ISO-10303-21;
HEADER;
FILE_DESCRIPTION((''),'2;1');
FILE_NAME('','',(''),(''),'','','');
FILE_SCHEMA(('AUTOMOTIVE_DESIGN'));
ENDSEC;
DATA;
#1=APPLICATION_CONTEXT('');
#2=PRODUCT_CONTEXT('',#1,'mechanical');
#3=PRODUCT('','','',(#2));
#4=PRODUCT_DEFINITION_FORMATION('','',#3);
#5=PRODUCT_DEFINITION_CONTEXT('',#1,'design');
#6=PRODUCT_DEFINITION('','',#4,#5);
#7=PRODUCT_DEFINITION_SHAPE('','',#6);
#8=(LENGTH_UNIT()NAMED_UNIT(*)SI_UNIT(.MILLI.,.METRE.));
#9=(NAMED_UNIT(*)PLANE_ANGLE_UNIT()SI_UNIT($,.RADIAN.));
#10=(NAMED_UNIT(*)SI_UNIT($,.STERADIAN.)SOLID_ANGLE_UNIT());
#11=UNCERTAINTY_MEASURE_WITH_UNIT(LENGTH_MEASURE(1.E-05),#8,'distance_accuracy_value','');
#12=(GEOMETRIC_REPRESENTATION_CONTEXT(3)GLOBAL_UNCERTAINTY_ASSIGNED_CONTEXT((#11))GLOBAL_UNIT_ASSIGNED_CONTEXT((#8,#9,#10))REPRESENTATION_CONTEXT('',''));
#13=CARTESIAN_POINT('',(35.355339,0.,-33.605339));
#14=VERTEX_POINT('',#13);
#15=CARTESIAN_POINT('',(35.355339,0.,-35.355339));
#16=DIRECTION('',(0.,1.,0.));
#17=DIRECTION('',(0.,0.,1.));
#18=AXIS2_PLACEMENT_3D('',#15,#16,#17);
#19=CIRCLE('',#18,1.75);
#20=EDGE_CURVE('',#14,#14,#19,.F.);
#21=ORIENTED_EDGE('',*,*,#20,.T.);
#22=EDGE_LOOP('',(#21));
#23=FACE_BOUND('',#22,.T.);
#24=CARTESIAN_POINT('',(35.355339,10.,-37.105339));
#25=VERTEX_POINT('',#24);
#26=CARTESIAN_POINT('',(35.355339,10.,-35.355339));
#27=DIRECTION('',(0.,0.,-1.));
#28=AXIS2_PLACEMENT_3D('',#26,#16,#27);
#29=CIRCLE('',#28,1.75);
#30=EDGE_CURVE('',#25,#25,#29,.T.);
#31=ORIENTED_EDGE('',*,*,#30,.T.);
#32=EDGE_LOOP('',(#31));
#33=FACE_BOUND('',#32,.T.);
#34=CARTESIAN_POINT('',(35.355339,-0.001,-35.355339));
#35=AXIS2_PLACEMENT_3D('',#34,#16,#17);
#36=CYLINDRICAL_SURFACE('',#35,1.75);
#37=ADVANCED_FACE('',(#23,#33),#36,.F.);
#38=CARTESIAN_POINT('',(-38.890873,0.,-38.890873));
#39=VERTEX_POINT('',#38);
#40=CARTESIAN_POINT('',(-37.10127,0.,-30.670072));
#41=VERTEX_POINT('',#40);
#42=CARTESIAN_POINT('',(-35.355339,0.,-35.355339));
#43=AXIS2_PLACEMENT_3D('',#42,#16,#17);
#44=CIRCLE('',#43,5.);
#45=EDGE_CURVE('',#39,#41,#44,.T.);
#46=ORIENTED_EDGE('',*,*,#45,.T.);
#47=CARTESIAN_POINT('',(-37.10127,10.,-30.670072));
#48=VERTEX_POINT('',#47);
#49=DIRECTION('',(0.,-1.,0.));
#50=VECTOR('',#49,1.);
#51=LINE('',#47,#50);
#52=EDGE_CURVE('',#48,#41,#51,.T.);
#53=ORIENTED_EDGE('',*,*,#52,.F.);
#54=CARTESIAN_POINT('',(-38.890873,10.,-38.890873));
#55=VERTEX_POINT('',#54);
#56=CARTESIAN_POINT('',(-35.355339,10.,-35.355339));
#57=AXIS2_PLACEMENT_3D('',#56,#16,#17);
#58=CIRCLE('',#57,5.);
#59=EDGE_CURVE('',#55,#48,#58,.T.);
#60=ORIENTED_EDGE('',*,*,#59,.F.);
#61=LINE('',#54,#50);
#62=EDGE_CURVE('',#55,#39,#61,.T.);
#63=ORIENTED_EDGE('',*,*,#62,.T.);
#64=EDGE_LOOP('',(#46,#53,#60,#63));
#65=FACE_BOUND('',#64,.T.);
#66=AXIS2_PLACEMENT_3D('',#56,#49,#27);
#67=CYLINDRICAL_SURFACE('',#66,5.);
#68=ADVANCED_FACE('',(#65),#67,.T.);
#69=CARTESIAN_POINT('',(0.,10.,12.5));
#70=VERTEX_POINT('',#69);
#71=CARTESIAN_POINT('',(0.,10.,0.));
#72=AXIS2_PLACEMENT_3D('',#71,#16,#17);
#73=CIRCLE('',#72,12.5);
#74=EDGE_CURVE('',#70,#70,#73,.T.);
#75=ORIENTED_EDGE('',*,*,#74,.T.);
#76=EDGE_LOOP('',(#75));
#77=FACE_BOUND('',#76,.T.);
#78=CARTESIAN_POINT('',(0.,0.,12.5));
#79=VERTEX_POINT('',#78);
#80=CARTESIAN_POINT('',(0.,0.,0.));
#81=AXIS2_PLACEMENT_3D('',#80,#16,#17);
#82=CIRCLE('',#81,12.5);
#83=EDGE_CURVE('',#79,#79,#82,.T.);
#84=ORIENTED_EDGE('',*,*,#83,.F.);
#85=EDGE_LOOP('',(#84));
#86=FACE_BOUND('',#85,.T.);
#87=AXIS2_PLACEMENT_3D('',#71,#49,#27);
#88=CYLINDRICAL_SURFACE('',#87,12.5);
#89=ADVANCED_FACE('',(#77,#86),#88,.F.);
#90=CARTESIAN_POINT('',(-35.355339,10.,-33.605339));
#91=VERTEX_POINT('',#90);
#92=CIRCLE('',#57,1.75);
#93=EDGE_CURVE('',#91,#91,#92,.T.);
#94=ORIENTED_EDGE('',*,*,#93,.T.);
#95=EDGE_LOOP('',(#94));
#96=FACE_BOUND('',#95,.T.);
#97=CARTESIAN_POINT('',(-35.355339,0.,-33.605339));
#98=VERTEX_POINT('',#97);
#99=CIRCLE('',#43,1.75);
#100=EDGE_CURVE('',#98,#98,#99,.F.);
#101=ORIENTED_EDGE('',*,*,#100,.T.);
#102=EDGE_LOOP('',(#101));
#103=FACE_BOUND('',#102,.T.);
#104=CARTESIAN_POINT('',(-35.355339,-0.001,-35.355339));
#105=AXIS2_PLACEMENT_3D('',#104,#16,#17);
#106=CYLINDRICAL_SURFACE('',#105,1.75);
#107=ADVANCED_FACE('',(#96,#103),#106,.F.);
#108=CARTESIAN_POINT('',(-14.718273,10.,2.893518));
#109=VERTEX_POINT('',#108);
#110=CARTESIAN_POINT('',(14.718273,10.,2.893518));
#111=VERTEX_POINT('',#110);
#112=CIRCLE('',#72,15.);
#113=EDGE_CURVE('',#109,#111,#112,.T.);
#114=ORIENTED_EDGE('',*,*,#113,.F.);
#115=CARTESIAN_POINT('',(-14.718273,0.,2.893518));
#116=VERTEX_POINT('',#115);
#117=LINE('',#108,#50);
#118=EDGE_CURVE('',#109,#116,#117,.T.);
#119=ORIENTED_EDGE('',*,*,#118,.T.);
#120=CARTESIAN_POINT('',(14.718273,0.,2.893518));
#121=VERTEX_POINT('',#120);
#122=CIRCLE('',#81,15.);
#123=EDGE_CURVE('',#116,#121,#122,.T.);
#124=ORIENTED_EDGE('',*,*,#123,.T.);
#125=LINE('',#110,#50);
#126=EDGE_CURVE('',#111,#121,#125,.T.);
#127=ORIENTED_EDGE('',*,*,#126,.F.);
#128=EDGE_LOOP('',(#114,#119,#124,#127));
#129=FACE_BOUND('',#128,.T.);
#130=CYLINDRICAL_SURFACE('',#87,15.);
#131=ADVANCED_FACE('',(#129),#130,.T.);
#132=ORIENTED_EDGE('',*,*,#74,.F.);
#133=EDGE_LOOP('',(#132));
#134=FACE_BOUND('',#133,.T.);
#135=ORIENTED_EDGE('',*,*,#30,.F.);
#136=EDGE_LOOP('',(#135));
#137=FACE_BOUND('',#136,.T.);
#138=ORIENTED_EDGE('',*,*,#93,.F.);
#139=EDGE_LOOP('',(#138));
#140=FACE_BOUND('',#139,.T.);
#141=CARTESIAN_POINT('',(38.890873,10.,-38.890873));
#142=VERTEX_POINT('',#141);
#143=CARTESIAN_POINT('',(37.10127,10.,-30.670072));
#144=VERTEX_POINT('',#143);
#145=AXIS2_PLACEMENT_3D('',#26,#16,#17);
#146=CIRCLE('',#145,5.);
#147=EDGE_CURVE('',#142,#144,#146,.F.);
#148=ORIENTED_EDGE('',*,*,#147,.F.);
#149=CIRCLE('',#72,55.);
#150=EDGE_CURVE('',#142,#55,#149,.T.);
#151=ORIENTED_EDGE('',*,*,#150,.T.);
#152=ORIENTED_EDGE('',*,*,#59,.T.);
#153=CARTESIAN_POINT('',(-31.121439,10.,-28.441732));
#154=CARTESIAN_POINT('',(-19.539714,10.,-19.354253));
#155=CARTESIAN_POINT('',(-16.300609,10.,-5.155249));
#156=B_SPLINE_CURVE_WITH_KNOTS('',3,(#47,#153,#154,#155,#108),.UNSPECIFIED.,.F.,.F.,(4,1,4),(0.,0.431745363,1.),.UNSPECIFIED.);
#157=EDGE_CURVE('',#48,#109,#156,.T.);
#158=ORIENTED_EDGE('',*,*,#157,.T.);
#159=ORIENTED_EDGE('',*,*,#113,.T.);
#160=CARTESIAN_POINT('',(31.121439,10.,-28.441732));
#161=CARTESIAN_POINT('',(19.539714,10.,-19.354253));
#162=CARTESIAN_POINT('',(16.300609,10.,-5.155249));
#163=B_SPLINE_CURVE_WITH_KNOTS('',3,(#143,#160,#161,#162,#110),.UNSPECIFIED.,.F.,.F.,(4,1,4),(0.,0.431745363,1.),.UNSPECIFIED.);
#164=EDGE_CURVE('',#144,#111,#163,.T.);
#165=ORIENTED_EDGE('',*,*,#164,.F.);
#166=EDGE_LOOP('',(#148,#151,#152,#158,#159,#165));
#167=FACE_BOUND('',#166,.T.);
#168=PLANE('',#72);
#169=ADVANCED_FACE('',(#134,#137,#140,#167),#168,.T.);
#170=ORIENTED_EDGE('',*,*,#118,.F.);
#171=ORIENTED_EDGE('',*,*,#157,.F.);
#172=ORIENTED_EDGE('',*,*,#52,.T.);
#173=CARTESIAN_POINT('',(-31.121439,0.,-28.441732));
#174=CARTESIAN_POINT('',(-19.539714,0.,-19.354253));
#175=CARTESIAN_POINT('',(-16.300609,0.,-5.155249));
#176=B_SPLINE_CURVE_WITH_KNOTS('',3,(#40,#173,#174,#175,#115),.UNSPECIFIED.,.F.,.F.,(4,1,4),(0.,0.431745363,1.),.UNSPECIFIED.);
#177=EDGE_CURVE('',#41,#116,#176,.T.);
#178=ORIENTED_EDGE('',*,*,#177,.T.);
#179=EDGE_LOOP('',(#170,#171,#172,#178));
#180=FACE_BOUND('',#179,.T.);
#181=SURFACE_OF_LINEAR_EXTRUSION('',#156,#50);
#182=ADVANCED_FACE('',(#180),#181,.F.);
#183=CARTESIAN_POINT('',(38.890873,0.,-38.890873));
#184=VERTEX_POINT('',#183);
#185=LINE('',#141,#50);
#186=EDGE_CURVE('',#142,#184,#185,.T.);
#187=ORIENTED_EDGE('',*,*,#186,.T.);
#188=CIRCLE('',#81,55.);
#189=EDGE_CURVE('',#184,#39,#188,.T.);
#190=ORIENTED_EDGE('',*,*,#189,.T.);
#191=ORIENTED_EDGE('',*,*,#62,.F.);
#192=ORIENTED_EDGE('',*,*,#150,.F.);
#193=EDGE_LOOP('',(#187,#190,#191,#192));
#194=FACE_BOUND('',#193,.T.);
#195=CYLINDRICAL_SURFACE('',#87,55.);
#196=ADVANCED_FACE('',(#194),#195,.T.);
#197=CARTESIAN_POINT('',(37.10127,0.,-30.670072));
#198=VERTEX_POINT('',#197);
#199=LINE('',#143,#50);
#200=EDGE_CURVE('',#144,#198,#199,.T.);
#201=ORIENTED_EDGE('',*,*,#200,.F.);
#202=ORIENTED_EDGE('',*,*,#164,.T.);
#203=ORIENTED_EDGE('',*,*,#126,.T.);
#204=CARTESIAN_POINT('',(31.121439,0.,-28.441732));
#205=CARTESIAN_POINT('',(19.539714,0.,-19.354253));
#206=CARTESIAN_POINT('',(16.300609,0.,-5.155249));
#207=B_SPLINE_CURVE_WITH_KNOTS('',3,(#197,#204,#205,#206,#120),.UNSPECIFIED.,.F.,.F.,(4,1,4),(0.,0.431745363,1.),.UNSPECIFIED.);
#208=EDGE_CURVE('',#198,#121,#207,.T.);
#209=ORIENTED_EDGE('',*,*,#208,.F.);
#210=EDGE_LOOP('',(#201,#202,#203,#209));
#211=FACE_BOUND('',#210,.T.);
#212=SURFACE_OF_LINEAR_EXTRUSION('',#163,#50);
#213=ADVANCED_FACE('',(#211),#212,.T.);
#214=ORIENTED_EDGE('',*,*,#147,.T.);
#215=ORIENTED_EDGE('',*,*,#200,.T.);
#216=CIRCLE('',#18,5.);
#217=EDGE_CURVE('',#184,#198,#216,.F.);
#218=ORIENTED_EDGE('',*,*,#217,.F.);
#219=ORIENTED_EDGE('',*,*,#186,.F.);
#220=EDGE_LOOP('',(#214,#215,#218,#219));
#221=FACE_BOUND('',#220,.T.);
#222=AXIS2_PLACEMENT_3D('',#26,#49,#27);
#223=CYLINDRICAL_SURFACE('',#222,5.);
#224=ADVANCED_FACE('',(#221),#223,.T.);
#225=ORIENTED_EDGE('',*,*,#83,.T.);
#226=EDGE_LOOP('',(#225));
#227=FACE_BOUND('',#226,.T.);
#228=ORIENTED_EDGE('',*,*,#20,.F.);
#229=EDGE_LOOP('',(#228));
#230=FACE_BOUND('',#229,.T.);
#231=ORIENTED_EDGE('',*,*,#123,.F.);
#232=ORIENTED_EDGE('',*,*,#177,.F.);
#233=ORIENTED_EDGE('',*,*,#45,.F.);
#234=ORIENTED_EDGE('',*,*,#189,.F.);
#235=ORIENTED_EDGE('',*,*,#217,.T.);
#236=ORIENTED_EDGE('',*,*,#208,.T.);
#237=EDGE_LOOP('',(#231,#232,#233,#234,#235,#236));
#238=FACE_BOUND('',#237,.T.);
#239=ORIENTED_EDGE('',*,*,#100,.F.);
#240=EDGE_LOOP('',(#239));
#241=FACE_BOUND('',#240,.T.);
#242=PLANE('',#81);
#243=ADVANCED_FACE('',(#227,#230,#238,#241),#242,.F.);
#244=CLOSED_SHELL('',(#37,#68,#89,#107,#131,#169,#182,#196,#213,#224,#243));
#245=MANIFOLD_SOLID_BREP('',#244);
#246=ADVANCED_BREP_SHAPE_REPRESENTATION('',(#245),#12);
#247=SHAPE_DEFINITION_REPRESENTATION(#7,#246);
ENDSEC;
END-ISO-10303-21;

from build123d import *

# Parameters (mm, degrees)
SKETCH2_R           = 12.5
BOSS_EXTRUDE1_DEPTH = 10
CUT_EXTRUDE1_REACH  = 70.946
SKETCH3_R           = 1.75


with BuildPart() as part:
    # Sketch2 → Boss-Extrude1 (new body)
    # profile 1 of 6: a face of its own
    with BuildSketch(Plane(origin=(0, 0, 0), x_dir=(1, 0, 0), z_dir=(0, 1, 0))):
        with BuildLine():
            ThreePointArc((-37.10126952, 30.670072063), (-34.291787618, 30.469762498), (-31.819805153, 31.819805153))
            Line((-31.819805153, 31.819805153), (-38.890872965, 38.890872965))
            ThreePointArc((-38.890872965, 38.890872965), (-40.24091562, 34.291787618), (-37.10126952, 30.670072063))
        make_face()
    # profile 2 of 6: a face of its own
    with BuildSketch(Plane(origin=(0, 0, 0), x_dir=(1, 0, 0), z_dir=(0, 1, 0))):
        with BuildLine():
            Line((-38.890872965, 38.890872965), (-31.819805153, 31.819805153))
            ThreePointArc((-31.819805153, 31.819805153), (0, 45), (31.819805153, 31.819805153))
            ThreePointArc((31.819805153, 31.819805153), (34.291787618, 30.469762498), (37.10126952, 30.670072063))
            ThreePointArc((37.10126952, 30.670072063), (40.24091562, 34.291787618), (38.890872965, 38.890872965))
            ThreePointArc((38.890872965, 38.890872965), (0, 55), (-38.890872965, 38.890872965))
        make_face()
    # profile 3 of 6: a face of its own
    with BuildSketch(Plane(origin=(0, 0, 0), x_dir=(1, 0, 0), z_dir=(0, 1, 0))):
        with BuildLine():
            ThreePointArc((31.819805153, 31.819805153), (0, 45), (-31.819805153, 31.819805153))
            ThreePointArc((-31.819805153, 31.819805153), (-32.980343293, 30.615305915), (-34.095316977, 29.36850967))
            add(Edge.make_bspline(
                [(-34.095316977, 29.36850967), (-29.441590917, 27.058917347), (-19.298330582, 18.296119977), (-16.300608859, 5.155248945), (-14.718272731, -2.893518242)],
                knots=[0.074521653, 0.074521653, 0.074521653, 0.074521653, 0.431745363, 1, 1, 1, 1], degree=3))
            ThreePointArc((-14.718272731, -2.893518242), (-1.453600536, 14.929402047), (15, 0))
            ThreePointArc((15, 0), (14.929402047, -1.453600536), (14.718272731, -2.893518242))
            add(Edge.make_bspline(
                [(34.095316977, 29.36850967), (29.441590917, 27.058917347), (19.298330582, 18.296119977), (16.300608859, 5.155248945), (14.718272731, -2.893518242)],
                knots=[0.074521653, 0.074521653, 0.074521653, 0.074521653, 0.431745363, 1, 1, 1, 1], degree=3))
            ThreePointArc((34.095316977, 29.36850967), (32.980343293, 30.615305915), (31.819805153, 31.819805153))
        make_face()
    # profile 4 of 6: a face of its own
    with BuildSketch(Plane(origin=(0, 0, 0), x_dir=(1, 0, 0), z_dir=(0, 1, 0))):
        with BuildLine():
            ThreePointArc((-34.095316977, 29.36850967), (-32.980343293, 30.615305915), (-31.819805153, 31.819805153))
            ThreePointArc((-31.819805153, 31.819805153), (-34.291787618, 30.469762498), (-37.10126952, 30.670072063))
            add(Edge.make_bspline(
                [(-37.10126952, 30.670072063), (-36.069117472, 30.285448156), (-35.066146599, 29.85032158), (-34.095316977, 29.36850967)],
                knots=[0, 0, 0, 0, 0.074521653, 0.074521653, 0.074521653, 0.074521653], degree=3))
        make_face()
    # profile 5 of 6: a face of its own
    with BuildSketch(Plane(origin=(0, 0, 0), x_dir=(1, 0, 0), z_dir=(0, 1, 0))):
        with BuildLine():
            ThreePointArc((37.10126952, 30.670072063), (34.291787618, 30.469762498), (31.819805153, 31.819805153))
            ThreePointArc((31.819805153, 31.819805153), (32.980343293, 30.615305915), (34.095316977, 29.36850967))
            add(Edge.make_bspline(
                [(37.10126952, 30.670072063), (36.069117472, 30.285448156), (35.066146599, 29.85032158), (34.095316977, 29.36850967)],
                knots=[0, 0, 0, 0, 0.074521653, 0.074521653, 0.074521653, 0.074521653], degree=3))
        make_face()
    # profile 6 of 6: a face of its own
    with BuildSketch(Plane(origin=(0, 0, 0), x_dir=(1, 0, 0), z_dir=(0, 1, 0))):
        with BuildLine():
            ThreePointArc((15, 0), (-1.453600536, 14.929402047), (-14.718272731, -2.893518242))
            ThreePointArc((-14.718272731, -2.893518242), (0, -15), (14.718272731, -2.893518242))
            ThreePointArc((14.718272731, -2.893518242), (14.929402047, -1.453600536), (15, 0))
        make_face()
        with Locations(Location((0, 0, 0), (0, 0, 270))):
            Circle(SKETCH2_R, mode=Mode.SUBTRACT)
    extrude(amount=BOSS_EXTRUDE1_DEPTH)

    # Sketch3 → Cut-Extrude1 (cut, up to next)
    with BuildSketch(Plane(origin=(0, 10, 0), x_dir=(1, 0, 0), z_dir=(0, 1, 0)), mode=Mode.PRIVATE) as cut_extrude1_sk1:
        with Locations(Location((-35.355339059, 35.355339059, 0), (0, 0, 270))):
            Circle(SKETCH3_R)
    cut_extrude1_tool1 = extrude(cut_extrude1_sk1.sketch, amount=-CUT_EXTRUDE1_REACH, mode=Mode.PRIVATE) & part.part
    # Sketch3 → Cut-Extrude1 (cut, up to next)
    with BuildSketch(Plane(origin=(0, 10, 0), x_dir=(1, 0, 0), z_dir=(0, 1, 0)), mode=Mode.PRIVATE) as cut_extrude1_sk2:
        with Locations(Location((35.355339059, 35.355339059, 0), (0, 0, 270))):
            Circle(SKETCH3_R)
    cut_extrude1_tool2 = extrude(cut_extrude1_sk2.sketch, amount=-CUT_EXTRUDE1_REACH, mode=Mode.PRIVATE) & part.part
    add(cut_extrude1_tool1.solids().sort_by_distance((-35.355339, 10, -35.355339))[0], mode=Mode.SUBTRACT)
    add(cut_extrude1_tool2.solids().sort_by_distance((35.355339, 10, -35.355339))[0], mode=Mode.SUBTRACT)


solid = part.part
